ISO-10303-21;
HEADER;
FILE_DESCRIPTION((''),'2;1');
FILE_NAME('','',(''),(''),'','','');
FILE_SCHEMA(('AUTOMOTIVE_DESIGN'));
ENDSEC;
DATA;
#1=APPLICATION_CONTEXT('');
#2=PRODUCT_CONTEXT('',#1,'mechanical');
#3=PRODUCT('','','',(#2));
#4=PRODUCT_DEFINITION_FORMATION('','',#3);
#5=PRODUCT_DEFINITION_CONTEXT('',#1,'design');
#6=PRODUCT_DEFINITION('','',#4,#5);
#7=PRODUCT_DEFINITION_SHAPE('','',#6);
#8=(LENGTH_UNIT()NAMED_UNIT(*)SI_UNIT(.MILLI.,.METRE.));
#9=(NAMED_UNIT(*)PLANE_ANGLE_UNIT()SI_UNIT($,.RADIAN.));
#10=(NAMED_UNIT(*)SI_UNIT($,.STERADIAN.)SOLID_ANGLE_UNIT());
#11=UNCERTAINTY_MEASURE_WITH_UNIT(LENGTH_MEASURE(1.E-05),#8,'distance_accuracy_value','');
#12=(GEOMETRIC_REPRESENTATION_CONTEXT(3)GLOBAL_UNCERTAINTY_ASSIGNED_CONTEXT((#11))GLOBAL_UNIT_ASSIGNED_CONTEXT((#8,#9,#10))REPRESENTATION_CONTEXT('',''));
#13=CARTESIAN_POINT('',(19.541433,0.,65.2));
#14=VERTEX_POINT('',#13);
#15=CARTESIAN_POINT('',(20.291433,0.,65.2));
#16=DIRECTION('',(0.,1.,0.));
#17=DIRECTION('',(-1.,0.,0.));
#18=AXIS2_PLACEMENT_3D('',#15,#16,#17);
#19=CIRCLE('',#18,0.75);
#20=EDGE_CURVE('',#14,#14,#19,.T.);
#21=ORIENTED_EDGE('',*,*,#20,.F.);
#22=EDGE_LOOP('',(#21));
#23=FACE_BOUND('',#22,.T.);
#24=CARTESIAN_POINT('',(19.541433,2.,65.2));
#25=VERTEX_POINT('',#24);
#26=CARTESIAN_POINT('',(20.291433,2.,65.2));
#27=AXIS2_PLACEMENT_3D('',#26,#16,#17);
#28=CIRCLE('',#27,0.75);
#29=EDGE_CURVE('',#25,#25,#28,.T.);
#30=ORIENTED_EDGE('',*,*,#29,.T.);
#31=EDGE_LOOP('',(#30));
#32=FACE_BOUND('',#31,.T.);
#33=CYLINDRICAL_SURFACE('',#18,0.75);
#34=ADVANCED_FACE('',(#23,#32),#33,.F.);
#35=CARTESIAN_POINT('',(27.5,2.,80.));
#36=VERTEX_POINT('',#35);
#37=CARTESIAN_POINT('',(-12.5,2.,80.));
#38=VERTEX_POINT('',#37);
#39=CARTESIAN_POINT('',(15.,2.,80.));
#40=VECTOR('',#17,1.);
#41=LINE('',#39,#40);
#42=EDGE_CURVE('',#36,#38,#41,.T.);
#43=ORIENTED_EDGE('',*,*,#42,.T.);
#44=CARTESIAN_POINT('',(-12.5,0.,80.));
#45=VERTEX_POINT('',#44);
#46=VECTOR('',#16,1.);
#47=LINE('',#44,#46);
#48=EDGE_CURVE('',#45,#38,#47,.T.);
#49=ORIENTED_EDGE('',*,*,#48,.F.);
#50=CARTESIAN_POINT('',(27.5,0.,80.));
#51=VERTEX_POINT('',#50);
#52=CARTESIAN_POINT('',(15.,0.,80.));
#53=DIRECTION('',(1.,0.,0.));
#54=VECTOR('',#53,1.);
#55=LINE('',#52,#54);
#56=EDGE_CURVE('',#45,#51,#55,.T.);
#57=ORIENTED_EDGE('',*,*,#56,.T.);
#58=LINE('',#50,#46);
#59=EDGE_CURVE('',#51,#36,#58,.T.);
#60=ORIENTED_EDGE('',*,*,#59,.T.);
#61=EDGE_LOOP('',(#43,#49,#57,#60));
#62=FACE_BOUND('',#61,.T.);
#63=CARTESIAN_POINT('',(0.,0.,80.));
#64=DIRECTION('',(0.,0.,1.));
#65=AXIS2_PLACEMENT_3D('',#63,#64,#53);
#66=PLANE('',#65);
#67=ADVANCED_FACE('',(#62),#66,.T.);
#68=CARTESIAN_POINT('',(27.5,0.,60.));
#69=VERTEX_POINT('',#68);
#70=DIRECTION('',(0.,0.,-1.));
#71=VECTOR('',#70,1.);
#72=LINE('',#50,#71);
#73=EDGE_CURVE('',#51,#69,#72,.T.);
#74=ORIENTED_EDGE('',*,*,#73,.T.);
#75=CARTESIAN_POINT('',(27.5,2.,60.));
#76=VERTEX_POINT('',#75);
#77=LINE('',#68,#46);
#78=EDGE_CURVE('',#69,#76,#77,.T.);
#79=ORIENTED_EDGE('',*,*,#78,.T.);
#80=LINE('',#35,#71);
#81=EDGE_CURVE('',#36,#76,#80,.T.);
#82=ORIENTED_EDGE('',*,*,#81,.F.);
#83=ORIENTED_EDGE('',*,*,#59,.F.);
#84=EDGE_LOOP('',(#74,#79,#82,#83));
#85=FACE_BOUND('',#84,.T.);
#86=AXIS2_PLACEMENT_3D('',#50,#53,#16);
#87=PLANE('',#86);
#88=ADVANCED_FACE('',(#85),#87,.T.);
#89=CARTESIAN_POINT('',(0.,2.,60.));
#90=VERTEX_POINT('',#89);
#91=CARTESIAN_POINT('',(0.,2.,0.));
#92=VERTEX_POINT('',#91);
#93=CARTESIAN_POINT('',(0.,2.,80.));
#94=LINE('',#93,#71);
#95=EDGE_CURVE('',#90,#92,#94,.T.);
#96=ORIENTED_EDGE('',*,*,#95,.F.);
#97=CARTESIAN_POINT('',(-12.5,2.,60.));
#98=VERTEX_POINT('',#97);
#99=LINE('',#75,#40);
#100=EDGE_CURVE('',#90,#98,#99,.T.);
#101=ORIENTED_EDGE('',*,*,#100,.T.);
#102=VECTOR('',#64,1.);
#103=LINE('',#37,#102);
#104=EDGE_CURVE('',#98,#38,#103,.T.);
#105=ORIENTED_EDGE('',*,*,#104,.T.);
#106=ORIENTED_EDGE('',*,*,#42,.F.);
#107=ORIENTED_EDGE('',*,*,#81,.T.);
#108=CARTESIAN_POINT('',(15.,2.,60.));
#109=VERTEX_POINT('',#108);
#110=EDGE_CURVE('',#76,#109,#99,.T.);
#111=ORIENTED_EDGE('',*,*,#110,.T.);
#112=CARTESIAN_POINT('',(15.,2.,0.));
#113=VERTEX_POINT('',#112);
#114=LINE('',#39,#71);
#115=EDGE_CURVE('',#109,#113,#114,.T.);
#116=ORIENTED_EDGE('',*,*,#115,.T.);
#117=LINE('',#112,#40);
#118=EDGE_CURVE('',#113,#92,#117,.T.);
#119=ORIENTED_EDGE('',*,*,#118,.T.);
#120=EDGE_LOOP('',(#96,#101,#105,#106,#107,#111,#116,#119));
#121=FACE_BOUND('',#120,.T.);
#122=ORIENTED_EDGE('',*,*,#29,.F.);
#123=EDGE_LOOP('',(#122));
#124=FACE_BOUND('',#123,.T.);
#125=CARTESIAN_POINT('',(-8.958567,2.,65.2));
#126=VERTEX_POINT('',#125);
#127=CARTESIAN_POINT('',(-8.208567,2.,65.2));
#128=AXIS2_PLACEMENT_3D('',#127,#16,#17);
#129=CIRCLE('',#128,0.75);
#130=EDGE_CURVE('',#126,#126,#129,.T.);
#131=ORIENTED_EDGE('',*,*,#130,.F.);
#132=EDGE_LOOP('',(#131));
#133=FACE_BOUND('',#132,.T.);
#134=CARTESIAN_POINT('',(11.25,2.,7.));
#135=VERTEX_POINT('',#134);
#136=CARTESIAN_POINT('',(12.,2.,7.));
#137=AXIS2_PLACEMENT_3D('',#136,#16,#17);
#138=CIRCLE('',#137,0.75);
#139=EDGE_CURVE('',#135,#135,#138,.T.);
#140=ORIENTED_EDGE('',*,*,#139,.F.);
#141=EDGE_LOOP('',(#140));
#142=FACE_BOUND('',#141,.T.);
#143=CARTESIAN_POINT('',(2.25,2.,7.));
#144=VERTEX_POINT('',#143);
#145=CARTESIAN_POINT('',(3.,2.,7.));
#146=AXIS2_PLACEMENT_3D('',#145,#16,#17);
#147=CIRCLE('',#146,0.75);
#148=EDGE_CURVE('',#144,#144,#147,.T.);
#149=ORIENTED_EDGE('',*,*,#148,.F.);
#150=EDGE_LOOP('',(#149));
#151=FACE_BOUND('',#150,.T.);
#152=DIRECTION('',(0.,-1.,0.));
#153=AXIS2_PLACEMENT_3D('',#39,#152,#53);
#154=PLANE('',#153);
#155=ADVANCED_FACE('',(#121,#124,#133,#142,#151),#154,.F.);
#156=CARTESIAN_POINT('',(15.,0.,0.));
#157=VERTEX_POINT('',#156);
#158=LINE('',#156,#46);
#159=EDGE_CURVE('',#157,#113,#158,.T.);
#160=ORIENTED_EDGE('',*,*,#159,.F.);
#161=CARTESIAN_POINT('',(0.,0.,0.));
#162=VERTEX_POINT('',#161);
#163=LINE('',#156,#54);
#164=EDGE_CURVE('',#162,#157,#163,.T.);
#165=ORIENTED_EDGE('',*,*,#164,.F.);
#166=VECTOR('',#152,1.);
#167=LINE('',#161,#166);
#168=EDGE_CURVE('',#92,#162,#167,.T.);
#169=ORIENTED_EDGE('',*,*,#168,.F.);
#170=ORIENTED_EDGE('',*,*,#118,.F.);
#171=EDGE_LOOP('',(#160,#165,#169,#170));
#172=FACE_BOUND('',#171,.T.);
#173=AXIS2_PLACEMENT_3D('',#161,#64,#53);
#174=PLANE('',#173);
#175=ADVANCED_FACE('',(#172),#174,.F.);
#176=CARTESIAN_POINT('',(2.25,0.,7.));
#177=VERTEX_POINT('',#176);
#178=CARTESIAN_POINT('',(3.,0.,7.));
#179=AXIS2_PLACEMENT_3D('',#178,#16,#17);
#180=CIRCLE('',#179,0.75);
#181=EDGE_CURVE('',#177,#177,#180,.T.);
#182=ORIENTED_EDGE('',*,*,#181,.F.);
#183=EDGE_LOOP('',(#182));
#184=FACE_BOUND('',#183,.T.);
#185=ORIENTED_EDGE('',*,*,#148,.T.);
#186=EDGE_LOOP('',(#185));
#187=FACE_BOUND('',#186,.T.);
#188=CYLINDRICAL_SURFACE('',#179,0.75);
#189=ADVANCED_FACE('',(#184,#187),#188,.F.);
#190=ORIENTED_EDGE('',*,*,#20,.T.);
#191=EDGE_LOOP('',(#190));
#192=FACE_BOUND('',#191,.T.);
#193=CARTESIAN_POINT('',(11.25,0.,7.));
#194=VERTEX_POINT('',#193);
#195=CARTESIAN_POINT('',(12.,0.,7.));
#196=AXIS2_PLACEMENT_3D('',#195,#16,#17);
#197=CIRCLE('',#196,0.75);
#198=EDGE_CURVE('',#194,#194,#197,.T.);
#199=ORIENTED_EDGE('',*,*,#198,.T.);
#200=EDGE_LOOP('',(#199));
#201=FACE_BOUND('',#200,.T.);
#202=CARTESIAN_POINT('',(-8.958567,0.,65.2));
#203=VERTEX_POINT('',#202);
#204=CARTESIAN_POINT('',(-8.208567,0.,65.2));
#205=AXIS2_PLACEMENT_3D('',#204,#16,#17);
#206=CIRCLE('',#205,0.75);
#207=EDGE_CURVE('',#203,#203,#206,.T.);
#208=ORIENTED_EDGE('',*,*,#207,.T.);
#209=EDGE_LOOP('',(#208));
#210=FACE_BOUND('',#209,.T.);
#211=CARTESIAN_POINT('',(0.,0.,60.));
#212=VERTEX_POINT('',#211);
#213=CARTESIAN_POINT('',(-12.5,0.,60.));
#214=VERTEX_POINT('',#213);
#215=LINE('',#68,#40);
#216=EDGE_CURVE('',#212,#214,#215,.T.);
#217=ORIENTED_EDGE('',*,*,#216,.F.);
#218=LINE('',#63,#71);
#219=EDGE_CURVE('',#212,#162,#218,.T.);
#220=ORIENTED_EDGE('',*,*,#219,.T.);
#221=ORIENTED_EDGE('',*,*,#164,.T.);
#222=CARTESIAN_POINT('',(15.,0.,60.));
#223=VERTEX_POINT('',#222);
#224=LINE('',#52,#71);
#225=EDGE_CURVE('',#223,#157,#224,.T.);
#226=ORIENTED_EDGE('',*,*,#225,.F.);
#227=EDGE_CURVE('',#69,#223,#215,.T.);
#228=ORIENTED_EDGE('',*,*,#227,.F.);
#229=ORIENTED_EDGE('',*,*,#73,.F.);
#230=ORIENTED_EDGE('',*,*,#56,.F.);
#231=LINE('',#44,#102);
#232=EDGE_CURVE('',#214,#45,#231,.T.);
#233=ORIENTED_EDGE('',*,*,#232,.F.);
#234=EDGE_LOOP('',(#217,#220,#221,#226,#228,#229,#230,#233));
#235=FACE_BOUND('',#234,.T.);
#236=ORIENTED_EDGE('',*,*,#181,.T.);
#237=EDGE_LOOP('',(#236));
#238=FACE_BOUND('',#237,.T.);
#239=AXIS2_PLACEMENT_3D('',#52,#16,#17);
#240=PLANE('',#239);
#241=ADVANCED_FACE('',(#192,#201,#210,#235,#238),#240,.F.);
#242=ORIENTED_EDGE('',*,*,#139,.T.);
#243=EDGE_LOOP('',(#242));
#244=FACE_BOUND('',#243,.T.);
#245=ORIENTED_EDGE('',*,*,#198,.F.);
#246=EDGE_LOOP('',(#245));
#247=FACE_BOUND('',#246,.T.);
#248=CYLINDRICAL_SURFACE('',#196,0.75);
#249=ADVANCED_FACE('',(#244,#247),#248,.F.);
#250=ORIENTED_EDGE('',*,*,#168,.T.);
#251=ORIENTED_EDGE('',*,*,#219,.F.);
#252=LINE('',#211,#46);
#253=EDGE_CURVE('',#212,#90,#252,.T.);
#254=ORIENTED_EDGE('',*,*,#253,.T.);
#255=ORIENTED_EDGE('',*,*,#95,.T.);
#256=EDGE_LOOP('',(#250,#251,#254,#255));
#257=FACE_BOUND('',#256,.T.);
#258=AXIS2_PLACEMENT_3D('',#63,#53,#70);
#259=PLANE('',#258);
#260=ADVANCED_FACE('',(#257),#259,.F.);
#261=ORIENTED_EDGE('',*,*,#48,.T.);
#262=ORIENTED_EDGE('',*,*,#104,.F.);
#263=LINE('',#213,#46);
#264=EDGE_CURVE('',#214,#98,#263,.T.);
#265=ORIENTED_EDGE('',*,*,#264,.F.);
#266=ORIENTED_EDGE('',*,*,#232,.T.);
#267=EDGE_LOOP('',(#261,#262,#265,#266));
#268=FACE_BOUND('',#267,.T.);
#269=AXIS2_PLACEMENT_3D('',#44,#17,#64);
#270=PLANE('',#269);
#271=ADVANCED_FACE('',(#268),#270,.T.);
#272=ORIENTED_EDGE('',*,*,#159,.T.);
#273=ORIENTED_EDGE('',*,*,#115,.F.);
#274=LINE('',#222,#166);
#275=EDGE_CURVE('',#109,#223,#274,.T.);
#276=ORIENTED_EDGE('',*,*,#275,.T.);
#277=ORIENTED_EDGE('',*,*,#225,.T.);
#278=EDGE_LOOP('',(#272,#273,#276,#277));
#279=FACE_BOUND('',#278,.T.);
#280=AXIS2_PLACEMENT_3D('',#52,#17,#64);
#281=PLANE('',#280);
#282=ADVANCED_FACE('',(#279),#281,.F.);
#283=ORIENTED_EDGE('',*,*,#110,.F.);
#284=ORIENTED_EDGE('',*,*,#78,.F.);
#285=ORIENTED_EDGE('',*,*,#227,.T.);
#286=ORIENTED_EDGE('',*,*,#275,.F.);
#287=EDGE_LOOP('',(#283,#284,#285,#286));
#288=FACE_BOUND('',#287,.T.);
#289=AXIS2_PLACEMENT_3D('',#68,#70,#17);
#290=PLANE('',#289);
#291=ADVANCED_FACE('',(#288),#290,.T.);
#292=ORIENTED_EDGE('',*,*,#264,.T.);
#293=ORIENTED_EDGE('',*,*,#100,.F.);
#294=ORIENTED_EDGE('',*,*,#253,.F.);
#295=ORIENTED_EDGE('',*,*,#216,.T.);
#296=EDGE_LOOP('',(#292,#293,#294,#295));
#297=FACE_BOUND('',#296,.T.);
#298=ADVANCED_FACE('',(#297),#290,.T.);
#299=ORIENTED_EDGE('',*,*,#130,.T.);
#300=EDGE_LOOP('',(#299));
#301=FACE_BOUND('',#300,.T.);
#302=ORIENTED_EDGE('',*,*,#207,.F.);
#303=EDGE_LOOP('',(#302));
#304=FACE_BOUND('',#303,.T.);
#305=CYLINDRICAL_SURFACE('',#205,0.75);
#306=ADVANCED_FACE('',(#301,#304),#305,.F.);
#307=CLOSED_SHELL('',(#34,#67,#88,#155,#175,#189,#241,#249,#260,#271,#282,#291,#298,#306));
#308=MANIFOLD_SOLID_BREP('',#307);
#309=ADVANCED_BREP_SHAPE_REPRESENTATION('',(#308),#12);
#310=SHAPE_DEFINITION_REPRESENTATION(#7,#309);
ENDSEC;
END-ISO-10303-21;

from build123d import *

# Parameters (mm, degrees)
SKETCH1_W           = 15
SKETCH1_H           = 2
BOSS_EXTRUDE1_DEPTH = 80
SKETCH2_W           = 40
SKETCH2_H           = 20
BOSS_EXTRUDE2_DEPTH = 2
SKETCH3_R           = 0.75
CUT_EXTRUDE1_DEPTH  = 85.618260441


with BuildPart() as part:
    # Sketch1 → Boss-Extrude1 (new body)
    with BuildSketch(Plane.XY):
        with Locations((7.5, 1)):
            Rectangle(SKETCH1_W, SKETCH1_H)
    extrude(amount=BOSS_EXTRUDE1_DEPTH)

    # Sketch2 → Boss-Extrude2 (add)
    with BuildSketch(Plane(origin=(0, 2, 0), x_dir=(1, 0, 0), z_dir=(0, 1, 0))):
        with Locations((7.5, -70)):
            Rectangle(SKETCH2_W, SKETCH2_H)
    extrude(amount=-BOSS_EXTRUDE2_DEPTH)

    # Sketch3 → Cut-Extrude1 (cut, through all)
    with BuildSketch(Plane(origin=(0, 2, 0), x_dir=(1, 0, 0), z_dir=(0, 1, 0))):
        with Locations(Location((20.291432582, -65.2, 0), (0, 0, 180))):
            Circle(SKETCH3_R)
        with Locations(Location((-8.208567418, -65.2, 0), (0, 0, 180))):
            Circle(SKETCH3_R)
        with Locations(Location((12, -7, 0), (0, 0, 180))):
            Circle(SKETCH3_R)
        with Locations(Location((3, -7, 0), (0, 0, 180))):
            Circle(SKETCH3_R)
    extrude(amount=-CUT_EXTRUDE1_DEPTH, mode=Mode.SUBTRACT)


solid = part.part
